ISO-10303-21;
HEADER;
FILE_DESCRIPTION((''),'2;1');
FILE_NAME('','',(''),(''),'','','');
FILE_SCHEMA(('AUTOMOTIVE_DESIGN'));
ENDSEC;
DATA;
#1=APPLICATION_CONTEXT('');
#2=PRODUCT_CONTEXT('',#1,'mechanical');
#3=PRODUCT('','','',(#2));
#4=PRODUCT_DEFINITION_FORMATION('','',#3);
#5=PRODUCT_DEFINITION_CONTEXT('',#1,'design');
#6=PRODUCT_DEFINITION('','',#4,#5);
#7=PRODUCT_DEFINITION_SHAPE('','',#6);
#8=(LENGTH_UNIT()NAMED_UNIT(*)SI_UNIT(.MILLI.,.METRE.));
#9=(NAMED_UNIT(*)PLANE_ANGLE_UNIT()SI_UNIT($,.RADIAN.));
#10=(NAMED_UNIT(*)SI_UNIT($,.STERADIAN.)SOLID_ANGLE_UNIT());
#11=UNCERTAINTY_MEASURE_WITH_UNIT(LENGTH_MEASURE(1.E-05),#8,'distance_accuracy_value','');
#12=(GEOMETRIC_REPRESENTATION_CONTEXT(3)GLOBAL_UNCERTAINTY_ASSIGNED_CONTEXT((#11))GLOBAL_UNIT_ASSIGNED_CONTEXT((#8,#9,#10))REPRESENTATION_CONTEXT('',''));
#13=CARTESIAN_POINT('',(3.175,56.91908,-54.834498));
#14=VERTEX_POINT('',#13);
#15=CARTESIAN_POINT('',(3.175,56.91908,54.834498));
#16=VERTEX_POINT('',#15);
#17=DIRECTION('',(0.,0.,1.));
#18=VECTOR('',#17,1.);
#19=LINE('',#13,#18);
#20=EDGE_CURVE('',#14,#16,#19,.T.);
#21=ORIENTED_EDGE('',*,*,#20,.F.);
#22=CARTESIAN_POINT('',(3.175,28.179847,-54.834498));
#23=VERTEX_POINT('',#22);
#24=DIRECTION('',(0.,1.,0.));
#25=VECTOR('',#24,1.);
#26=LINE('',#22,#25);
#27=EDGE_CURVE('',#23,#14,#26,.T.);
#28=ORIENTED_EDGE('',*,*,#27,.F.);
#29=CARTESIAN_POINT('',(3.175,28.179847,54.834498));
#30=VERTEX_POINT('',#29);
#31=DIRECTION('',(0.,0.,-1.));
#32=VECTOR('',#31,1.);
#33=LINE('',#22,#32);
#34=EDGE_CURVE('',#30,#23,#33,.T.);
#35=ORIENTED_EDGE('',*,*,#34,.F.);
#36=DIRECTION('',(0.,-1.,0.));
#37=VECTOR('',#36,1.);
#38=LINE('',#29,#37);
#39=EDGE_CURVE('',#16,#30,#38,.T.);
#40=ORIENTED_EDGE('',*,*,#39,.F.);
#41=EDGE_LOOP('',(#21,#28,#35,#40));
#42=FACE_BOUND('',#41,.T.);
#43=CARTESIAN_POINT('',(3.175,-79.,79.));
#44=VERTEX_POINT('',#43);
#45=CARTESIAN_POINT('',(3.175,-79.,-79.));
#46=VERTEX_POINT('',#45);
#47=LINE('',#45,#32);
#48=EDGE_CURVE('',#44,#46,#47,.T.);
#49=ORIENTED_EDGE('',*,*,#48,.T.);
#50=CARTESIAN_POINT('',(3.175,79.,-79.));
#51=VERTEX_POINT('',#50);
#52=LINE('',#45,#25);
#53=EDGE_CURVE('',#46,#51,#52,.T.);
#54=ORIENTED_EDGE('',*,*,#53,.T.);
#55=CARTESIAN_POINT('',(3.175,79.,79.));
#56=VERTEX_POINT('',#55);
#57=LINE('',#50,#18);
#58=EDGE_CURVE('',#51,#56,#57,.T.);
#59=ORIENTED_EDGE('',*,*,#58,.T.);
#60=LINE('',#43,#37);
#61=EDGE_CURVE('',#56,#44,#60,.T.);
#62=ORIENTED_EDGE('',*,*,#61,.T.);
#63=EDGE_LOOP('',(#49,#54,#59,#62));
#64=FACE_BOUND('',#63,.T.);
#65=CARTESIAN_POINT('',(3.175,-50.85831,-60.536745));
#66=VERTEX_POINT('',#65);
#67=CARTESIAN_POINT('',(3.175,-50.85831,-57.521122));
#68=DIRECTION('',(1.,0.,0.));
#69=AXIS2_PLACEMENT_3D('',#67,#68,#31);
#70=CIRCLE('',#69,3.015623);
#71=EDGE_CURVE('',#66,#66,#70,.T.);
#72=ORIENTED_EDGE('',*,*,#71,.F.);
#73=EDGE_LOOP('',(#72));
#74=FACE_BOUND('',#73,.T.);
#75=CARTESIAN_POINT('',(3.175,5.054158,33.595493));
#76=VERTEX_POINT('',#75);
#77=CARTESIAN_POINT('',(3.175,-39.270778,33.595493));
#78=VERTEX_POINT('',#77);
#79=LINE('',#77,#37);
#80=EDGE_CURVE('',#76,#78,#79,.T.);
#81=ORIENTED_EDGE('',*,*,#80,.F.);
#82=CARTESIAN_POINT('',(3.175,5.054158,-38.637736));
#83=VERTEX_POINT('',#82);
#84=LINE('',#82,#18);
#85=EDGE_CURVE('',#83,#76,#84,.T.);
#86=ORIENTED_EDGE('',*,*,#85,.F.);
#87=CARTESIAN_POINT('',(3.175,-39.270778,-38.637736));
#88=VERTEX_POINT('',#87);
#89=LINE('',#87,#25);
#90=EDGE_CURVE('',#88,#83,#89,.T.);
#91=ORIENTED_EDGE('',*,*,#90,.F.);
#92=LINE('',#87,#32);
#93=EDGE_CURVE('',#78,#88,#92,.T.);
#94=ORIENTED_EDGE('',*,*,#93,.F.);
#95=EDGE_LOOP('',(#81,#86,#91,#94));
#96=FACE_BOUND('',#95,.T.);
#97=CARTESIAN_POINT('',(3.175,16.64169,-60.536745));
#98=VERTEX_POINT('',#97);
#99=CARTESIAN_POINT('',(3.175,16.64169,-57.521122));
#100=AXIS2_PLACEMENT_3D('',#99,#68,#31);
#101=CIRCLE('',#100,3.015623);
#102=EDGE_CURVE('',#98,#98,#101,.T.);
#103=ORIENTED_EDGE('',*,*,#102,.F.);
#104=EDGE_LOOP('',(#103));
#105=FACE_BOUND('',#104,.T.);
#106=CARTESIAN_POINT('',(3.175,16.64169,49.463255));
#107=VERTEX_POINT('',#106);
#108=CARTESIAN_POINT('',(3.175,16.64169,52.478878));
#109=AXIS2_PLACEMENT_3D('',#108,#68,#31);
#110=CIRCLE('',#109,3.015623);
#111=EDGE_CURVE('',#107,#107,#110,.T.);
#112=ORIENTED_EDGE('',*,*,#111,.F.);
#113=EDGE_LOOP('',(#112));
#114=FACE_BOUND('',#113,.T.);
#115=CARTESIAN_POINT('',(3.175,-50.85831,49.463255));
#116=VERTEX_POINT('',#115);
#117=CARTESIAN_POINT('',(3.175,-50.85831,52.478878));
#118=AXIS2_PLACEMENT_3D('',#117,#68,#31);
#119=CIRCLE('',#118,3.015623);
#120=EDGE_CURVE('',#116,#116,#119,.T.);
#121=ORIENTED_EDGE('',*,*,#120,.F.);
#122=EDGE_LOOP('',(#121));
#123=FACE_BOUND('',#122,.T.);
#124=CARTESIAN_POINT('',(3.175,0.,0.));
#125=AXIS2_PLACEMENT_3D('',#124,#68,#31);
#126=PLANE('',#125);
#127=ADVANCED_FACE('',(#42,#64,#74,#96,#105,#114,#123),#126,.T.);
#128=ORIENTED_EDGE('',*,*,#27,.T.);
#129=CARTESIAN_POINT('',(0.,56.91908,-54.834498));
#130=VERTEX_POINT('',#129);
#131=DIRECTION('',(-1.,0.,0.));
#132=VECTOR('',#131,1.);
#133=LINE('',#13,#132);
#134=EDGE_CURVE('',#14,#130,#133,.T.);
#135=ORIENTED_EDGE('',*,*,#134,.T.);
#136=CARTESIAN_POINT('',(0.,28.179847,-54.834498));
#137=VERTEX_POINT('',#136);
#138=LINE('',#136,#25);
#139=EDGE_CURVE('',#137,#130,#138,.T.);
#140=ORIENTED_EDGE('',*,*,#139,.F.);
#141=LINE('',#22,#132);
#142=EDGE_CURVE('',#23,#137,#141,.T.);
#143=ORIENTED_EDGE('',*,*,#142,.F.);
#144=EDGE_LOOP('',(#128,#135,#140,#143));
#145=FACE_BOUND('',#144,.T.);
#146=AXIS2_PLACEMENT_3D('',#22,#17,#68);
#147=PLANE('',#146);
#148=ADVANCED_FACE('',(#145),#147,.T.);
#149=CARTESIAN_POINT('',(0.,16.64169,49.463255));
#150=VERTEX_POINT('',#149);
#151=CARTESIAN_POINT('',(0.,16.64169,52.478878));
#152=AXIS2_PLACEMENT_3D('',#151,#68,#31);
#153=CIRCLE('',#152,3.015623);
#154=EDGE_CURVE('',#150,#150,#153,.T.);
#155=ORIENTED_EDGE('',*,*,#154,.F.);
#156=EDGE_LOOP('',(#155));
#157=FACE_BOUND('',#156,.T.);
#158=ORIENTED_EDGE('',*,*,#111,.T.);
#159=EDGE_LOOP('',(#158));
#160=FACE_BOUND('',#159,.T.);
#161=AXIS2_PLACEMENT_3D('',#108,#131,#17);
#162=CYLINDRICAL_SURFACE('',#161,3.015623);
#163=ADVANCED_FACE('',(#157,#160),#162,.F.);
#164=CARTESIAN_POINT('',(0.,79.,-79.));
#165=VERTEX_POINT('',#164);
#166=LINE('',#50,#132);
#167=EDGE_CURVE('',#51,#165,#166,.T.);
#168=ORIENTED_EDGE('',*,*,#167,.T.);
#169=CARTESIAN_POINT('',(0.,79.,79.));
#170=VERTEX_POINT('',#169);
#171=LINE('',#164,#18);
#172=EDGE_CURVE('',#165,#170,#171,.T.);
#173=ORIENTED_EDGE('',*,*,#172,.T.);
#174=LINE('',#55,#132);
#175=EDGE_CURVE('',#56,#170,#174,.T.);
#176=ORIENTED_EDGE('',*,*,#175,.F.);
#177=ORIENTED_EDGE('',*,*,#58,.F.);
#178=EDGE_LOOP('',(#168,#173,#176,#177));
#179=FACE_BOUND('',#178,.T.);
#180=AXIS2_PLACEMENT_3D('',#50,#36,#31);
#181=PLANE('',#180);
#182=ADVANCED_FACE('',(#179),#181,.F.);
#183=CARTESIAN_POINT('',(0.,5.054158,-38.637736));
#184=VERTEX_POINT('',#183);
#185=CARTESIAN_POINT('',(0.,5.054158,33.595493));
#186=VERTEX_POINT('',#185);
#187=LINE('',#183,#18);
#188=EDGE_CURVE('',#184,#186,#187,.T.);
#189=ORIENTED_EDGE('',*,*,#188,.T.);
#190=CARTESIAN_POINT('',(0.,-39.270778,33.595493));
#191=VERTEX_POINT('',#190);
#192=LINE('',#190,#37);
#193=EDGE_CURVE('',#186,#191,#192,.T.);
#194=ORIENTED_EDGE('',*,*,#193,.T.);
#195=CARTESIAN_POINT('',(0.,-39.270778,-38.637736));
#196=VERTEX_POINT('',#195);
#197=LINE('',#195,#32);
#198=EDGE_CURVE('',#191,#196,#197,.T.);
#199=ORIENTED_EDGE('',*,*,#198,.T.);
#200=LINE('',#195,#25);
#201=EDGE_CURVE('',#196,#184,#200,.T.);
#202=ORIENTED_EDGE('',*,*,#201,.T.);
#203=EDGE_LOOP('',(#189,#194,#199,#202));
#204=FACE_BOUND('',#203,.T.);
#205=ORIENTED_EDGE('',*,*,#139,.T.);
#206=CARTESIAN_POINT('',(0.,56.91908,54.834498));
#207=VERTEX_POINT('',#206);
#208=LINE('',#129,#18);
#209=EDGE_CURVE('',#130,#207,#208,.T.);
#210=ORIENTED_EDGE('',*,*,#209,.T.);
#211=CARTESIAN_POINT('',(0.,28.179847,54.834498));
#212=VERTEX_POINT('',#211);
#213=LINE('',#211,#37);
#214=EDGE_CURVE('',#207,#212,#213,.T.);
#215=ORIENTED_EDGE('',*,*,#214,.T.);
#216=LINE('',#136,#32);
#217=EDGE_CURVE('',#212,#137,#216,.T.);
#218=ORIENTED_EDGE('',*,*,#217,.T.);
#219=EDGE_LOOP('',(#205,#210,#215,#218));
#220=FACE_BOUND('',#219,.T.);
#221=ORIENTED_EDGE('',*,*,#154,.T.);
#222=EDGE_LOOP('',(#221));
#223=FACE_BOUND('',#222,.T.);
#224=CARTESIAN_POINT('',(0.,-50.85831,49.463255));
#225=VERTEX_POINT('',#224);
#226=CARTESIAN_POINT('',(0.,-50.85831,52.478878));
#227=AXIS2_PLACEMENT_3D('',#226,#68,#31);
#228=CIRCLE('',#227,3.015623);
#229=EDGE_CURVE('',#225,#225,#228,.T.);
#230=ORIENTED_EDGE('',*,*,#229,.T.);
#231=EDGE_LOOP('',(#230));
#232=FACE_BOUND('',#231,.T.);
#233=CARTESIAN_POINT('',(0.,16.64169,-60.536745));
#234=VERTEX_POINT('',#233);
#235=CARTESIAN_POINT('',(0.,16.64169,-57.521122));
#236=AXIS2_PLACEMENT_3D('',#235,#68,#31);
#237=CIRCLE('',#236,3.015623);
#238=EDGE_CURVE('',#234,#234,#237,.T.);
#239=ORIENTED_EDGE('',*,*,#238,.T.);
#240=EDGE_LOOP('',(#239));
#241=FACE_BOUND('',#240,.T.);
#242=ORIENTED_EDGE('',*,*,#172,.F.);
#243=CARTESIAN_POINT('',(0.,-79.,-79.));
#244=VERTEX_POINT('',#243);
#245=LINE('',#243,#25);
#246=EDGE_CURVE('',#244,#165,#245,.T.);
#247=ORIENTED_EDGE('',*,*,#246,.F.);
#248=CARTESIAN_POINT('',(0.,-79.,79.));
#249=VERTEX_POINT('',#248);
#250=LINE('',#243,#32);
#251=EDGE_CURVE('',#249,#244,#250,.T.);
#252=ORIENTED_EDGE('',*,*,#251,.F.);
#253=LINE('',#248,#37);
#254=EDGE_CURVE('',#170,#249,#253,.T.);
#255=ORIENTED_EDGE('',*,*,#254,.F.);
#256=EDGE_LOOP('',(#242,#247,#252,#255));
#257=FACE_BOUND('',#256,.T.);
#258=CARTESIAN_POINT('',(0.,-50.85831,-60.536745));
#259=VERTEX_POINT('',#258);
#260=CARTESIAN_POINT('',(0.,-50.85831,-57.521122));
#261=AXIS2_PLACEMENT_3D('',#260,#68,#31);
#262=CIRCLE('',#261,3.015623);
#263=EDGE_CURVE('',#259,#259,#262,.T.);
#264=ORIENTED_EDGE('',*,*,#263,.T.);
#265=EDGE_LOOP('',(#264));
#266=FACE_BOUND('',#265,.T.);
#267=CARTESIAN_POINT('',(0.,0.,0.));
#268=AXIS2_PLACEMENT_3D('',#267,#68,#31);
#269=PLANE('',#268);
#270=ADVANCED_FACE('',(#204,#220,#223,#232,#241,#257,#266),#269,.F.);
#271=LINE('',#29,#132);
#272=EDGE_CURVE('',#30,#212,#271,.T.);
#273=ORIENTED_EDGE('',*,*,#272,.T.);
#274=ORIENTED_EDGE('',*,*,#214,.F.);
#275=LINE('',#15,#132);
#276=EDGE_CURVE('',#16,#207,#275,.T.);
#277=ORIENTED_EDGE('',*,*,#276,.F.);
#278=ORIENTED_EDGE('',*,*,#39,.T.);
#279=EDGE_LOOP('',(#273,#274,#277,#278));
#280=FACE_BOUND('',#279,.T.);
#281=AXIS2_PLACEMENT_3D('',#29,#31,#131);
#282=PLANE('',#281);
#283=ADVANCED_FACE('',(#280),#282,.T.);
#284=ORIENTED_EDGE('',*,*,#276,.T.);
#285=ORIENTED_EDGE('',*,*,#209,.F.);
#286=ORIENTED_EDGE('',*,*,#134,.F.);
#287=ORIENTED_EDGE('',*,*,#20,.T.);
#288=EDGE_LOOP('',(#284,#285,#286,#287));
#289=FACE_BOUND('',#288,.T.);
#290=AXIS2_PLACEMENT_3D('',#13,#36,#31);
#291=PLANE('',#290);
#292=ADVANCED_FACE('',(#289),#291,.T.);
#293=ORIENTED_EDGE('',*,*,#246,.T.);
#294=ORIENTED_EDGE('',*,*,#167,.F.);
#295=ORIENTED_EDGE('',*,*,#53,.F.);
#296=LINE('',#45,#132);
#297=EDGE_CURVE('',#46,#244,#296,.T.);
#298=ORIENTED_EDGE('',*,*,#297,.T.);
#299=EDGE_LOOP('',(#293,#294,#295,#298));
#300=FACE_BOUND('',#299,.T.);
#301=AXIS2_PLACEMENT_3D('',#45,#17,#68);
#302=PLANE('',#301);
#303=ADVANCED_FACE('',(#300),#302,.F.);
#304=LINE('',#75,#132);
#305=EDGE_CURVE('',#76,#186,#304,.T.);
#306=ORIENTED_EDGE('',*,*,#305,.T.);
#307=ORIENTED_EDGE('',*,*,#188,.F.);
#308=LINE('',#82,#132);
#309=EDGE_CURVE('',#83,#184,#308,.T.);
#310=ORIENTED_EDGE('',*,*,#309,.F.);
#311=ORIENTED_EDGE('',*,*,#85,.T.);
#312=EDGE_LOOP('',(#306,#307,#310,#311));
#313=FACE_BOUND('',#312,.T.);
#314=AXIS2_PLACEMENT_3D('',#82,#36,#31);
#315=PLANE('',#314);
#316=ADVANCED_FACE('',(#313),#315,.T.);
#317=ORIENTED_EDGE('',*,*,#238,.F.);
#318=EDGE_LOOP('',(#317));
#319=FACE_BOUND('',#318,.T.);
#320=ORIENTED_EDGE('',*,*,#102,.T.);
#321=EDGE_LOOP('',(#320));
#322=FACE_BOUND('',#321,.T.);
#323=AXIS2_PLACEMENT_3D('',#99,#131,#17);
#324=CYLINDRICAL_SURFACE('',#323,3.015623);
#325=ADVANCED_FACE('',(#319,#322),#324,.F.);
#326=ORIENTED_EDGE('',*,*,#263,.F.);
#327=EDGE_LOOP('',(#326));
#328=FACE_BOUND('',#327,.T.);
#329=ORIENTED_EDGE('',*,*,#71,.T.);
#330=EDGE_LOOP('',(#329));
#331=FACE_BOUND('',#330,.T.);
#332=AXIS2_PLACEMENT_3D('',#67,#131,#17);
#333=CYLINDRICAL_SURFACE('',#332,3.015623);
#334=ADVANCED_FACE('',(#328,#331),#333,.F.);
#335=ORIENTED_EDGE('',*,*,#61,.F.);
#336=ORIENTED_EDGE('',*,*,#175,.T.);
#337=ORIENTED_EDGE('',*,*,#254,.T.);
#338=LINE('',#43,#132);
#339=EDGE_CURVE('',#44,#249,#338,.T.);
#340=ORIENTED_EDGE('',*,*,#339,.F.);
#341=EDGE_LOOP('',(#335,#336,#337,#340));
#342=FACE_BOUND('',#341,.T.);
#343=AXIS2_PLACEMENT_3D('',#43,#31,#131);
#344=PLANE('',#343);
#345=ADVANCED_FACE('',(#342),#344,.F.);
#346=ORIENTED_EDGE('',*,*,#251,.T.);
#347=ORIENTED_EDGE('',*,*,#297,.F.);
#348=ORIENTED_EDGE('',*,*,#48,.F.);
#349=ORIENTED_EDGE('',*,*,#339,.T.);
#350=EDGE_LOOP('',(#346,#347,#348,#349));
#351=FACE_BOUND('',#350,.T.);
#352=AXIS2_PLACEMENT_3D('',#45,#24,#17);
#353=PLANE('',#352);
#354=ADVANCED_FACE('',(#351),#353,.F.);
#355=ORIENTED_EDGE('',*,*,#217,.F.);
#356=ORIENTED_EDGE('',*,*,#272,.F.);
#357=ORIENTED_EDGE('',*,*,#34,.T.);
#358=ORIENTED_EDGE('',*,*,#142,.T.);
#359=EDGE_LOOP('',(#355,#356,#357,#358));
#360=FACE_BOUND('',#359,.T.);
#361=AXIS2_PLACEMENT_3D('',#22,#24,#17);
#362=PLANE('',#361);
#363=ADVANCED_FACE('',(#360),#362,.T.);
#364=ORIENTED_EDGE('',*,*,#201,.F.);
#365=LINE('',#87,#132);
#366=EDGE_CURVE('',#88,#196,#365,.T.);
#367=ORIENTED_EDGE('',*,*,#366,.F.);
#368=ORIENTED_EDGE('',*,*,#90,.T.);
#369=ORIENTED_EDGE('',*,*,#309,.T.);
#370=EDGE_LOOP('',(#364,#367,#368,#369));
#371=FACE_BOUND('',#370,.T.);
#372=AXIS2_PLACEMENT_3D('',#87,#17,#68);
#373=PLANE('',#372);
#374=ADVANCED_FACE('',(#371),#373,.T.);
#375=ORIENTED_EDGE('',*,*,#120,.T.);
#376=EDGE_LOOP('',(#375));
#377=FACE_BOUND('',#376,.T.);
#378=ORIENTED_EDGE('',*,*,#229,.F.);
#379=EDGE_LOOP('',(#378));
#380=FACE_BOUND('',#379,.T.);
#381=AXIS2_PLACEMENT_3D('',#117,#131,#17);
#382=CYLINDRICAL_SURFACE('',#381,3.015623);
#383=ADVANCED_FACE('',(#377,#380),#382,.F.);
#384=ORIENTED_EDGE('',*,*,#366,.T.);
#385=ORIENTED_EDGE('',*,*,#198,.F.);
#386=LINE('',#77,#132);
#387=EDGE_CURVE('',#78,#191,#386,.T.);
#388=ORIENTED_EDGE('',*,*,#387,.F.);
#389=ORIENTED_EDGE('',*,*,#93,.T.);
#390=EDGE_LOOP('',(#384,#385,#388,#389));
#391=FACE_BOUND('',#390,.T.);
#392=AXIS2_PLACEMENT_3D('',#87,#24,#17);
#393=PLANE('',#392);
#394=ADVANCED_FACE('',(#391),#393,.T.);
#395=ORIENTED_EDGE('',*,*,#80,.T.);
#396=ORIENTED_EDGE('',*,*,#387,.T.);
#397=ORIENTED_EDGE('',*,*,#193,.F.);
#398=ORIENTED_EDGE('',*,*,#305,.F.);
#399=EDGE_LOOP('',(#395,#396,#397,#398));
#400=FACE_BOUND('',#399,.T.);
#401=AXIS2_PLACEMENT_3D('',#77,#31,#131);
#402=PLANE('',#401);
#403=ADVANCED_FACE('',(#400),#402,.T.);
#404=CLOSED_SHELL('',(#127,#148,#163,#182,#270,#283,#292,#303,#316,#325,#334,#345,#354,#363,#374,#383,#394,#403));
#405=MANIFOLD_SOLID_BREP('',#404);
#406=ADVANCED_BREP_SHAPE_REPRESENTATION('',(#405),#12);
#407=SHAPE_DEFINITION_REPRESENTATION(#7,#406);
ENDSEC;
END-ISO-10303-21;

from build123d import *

# Parameters (mm, degrees)
SKETCH1_W           = 158
SKETCH1_H           = 158
SKETCH1_R           = 3.015623361
SKETCH1_W_2         = 109.668996446
SKETCH1_H_2         = 28.739233449
SKETCH1_W_3         = 72.233228696
SKETCH1_H_3         = 44.324935791
BOSS_EXTRUDE1_DEPTH = 3.175


with BuildPart() as part:
    # Sketch1 → Boss-Extrude1 (new body)
    with BuildSketch(Plane(origin=(0, 0, 0), x_dir=(0, 0, -1), z_dir=(1, 0, 0))):
        Rectangle(SKETCH1_W, SKETCH1_H)
        with Locations((-52.478878223, 16.641690282)):
            Circle(SKETCH1_R, mode=Mode.SUBTRACT)
        with Locations((57.521121777, 16.641690282)):
            Circle(SKETCH1_R, mode=Mode.SUBTRACT)
        with Locations((57.521121777, -50.858309718)):
            Circle(SKETCH1_R, mode=Mode.SUBTRACT)
        with Locations((-52.478878223, -50.858309718)):
            Circle(SKETCH1_R, mode=Mode.SUBTRACT)
        with Locations((0, 42.549463737)):
            Rectangle(SKETCH1_W_2, SKETCH1_H_2, mode=Mode.SUBTRACT)
        with Locations((2.521121777, -17.108309717)):
            Rectangle(SKETCH1_W_3, SKETCH1_H_3, mode=Mode.SUBTRACT)
    extrude(amount=BOSS_EXTRUDE1_DEPTH)


solid = part.part
